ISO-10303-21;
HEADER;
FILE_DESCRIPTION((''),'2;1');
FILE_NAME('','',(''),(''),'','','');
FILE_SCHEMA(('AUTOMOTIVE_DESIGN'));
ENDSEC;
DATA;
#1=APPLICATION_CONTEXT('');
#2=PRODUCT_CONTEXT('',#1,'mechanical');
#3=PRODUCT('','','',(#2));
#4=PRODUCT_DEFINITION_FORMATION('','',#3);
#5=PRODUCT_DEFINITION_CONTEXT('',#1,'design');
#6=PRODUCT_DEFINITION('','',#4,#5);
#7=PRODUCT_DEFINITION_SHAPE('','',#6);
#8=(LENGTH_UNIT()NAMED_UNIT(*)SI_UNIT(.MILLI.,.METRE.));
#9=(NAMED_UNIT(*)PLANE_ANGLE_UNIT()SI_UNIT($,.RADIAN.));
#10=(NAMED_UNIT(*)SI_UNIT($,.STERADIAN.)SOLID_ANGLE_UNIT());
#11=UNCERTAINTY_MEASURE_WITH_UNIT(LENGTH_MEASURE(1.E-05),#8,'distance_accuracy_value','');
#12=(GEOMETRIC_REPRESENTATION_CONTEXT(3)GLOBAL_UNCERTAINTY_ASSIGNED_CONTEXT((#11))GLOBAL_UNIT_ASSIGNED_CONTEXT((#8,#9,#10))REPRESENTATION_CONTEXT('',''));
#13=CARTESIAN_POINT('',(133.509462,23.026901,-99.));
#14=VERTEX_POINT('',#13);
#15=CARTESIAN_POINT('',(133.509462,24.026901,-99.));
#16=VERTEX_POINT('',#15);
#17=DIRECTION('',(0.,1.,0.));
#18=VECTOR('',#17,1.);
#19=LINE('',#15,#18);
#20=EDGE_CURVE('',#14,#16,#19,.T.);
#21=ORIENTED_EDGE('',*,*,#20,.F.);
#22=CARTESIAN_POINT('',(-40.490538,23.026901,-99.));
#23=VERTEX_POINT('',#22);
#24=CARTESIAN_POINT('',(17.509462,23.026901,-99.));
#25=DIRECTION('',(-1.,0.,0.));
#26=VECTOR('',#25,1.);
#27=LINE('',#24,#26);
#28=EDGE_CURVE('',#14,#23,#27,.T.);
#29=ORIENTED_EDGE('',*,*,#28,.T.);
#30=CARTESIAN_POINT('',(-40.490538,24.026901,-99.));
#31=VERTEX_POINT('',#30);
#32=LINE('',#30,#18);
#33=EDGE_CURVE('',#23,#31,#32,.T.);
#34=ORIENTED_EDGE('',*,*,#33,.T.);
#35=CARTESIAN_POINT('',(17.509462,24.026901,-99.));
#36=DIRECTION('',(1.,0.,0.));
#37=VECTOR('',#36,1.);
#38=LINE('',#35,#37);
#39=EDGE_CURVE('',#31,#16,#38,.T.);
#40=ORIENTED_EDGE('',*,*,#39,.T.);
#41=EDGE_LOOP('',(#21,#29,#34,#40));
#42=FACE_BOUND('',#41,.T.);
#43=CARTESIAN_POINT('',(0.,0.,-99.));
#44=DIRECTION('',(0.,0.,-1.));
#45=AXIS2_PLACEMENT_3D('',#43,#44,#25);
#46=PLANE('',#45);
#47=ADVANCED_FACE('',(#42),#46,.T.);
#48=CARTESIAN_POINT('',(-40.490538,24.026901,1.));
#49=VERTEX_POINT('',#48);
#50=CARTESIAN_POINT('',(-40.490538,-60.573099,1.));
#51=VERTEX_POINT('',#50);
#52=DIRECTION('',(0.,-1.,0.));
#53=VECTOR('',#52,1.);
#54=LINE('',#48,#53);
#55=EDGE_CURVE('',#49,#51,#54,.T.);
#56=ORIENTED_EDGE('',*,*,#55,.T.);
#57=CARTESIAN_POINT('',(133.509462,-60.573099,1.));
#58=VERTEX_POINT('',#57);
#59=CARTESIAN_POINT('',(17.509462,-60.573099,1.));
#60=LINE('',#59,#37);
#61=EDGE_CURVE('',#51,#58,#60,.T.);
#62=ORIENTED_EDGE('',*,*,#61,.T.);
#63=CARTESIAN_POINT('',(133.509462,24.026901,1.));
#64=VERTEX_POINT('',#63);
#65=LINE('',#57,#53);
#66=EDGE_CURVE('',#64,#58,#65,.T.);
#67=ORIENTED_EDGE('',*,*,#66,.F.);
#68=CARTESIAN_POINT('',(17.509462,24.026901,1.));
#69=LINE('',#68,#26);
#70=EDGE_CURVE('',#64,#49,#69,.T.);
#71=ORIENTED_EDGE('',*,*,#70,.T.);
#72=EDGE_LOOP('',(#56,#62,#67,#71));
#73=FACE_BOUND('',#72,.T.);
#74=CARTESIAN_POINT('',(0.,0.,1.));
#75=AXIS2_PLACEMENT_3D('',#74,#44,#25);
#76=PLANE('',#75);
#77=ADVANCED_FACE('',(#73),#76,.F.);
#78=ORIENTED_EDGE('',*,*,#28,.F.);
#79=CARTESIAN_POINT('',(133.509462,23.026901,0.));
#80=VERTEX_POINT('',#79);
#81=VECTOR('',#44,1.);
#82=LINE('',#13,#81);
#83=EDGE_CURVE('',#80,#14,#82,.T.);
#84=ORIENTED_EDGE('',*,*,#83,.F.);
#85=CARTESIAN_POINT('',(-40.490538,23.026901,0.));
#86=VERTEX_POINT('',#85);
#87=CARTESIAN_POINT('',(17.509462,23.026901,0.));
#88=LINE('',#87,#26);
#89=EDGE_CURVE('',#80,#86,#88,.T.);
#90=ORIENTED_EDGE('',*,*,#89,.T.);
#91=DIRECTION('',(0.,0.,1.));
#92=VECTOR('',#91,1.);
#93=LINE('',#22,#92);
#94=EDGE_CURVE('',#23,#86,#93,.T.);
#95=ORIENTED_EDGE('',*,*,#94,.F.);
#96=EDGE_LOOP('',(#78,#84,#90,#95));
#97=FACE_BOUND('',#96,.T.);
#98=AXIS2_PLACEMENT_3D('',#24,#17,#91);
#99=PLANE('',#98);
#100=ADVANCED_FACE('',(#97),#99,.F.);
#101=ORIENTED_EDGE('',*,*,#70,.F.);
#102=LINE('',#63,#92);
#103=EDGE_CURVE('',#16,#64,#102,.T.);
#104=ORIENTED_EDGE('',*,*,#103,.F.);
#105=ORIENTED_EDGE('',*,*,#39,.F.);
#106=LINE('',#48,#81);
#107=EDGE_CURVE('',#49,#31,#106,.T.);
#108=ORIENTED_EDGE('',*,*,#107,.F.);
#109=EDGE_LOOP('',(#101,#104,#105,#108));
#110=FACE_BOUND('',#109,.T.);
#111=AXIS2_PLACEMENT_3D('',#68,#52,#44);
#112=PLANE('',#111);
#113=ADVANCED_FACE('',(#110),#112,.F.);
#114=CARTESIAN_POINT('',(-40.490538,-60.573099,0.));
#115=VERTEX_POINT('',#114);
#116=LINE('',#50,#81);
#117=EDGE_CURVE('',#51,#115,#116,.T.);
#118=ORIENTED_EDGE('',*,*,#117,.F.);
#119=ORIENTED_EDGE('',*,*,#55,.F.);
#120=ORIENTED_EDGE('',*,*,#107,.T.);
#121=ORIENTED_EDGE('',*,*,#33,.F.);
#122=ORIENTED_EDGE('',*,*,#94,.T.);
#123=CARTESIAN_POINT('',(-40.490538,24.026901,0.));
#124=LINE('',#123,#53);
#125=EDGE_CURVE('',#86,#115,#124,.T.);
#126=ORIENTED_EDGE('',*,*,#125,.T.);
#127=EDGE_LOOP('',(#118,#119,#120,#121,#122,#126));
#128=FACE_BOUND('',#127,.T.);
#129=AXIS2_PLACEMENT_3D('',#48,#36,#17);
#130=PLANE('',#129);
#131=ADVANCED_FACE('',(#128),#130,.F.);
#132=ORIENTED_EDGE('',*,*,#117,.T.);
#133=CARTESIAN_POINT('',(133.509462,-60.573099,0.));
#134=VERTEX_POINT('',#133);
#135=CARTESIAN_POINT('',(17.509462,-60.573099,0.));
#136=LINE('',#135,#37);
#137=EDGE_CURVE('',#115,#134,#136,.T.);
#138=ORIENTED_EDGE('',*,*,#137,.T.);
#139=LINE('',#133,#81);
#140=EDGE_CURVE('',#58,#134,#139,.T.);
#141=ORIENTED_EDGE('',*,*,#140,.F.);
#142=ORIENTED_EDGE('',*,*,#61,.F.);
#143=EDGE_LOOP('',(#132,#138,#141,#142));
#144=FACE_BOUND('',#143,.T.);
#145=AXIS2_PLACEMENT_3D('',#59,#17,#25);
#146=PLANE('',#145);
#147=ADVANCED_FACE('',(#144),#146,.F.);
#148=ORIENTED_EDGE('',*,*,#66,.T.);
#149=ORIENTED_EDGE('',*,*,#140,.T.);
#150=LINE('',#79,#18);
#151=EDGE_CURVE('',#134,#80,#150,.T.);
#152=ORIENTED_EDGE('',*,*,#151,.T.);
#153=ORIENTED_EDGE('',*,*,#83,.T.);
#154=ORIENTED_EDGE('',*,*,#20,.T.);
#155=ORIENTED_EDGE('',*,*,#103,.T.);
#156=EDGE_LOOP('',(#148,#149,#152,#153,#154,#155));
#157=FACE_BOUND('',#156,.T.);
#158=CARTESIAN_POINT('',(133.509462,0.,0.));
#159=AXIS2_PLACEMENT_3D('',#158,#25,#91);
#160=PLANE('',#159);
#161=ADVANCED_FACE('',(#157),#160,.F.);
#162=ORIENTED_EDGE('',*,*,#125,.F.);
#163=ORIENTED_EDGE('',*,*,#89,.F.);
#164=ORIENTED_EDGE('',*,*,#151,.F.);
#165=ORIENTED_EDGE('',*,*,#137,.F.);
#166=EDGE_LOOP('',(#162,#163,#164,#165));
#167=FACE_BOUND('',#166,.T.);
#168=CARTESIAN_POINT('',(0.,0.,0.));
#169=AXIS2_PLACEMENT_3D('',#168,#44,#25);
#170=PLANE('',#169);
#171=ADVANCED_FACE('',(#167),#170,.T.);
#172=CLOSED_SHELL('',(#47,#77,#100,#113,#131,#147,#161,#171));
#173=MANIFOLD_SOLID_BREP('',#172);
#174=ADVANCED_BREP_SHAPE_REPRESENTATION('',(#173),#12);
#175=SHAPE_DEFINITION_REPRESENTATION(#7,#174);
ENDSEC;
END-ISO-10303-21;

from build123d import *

# Parameters (mm, degrees)
ESQUISSE1_W        = 58
ESQUISSE1_H        = 84.6
BOSS_EXTRU_1_DEPTH = 1
ESQUISSE2_W        = 58
ESQUISSE2_H        = 1
BOSS_EXTRU_2_DEPTH = 99
BOSS_EXTRU_3_DEPTH = 116


with BuildPart() as part:
    # Esquisse1 → Boss.-Extru.1 (new body)
    with BuildSketch(Plane.XY):
        with Locations((-11.490537589, -18.273098988)):
            Rectangle(ESQUISSE1_W, ESQUISSE1_H)
    extrude(amount=BOSS_EXTRU_1_DEPTH)

    # Esquisse2 → Boss.-Extru.2 (add)
    with BuildSketch(Plane(origin=(0, 0, 0), x_dir=(-1, 0, 0), z_dir=(0, 0, -1))):
        with Locations((11.490537589, 23.526901012)):
            Rectangle(ESQUISSE2_W, ESQUISSE2_H)
    extrude(amount=BOSS_EXTRU_2_DEPTH)

    # Esquisse3 → Boss.-Extru.3 (add)
    with BuildSketch(Plane(origin=(17.509462411, 0, 0), x_dir=(0, 0, -1), z_dir=(1, 0, 0))):
        Polygon((99, 24.026901012), (99, 23.026901012), (0, 23.026901012), (0, -60.573098988), (-1, -60.573098988), (-1, 24.026901012), align=None)
    extrude(amount=BOSS_EXTRU_3_DEPTH)


solid = part.part
